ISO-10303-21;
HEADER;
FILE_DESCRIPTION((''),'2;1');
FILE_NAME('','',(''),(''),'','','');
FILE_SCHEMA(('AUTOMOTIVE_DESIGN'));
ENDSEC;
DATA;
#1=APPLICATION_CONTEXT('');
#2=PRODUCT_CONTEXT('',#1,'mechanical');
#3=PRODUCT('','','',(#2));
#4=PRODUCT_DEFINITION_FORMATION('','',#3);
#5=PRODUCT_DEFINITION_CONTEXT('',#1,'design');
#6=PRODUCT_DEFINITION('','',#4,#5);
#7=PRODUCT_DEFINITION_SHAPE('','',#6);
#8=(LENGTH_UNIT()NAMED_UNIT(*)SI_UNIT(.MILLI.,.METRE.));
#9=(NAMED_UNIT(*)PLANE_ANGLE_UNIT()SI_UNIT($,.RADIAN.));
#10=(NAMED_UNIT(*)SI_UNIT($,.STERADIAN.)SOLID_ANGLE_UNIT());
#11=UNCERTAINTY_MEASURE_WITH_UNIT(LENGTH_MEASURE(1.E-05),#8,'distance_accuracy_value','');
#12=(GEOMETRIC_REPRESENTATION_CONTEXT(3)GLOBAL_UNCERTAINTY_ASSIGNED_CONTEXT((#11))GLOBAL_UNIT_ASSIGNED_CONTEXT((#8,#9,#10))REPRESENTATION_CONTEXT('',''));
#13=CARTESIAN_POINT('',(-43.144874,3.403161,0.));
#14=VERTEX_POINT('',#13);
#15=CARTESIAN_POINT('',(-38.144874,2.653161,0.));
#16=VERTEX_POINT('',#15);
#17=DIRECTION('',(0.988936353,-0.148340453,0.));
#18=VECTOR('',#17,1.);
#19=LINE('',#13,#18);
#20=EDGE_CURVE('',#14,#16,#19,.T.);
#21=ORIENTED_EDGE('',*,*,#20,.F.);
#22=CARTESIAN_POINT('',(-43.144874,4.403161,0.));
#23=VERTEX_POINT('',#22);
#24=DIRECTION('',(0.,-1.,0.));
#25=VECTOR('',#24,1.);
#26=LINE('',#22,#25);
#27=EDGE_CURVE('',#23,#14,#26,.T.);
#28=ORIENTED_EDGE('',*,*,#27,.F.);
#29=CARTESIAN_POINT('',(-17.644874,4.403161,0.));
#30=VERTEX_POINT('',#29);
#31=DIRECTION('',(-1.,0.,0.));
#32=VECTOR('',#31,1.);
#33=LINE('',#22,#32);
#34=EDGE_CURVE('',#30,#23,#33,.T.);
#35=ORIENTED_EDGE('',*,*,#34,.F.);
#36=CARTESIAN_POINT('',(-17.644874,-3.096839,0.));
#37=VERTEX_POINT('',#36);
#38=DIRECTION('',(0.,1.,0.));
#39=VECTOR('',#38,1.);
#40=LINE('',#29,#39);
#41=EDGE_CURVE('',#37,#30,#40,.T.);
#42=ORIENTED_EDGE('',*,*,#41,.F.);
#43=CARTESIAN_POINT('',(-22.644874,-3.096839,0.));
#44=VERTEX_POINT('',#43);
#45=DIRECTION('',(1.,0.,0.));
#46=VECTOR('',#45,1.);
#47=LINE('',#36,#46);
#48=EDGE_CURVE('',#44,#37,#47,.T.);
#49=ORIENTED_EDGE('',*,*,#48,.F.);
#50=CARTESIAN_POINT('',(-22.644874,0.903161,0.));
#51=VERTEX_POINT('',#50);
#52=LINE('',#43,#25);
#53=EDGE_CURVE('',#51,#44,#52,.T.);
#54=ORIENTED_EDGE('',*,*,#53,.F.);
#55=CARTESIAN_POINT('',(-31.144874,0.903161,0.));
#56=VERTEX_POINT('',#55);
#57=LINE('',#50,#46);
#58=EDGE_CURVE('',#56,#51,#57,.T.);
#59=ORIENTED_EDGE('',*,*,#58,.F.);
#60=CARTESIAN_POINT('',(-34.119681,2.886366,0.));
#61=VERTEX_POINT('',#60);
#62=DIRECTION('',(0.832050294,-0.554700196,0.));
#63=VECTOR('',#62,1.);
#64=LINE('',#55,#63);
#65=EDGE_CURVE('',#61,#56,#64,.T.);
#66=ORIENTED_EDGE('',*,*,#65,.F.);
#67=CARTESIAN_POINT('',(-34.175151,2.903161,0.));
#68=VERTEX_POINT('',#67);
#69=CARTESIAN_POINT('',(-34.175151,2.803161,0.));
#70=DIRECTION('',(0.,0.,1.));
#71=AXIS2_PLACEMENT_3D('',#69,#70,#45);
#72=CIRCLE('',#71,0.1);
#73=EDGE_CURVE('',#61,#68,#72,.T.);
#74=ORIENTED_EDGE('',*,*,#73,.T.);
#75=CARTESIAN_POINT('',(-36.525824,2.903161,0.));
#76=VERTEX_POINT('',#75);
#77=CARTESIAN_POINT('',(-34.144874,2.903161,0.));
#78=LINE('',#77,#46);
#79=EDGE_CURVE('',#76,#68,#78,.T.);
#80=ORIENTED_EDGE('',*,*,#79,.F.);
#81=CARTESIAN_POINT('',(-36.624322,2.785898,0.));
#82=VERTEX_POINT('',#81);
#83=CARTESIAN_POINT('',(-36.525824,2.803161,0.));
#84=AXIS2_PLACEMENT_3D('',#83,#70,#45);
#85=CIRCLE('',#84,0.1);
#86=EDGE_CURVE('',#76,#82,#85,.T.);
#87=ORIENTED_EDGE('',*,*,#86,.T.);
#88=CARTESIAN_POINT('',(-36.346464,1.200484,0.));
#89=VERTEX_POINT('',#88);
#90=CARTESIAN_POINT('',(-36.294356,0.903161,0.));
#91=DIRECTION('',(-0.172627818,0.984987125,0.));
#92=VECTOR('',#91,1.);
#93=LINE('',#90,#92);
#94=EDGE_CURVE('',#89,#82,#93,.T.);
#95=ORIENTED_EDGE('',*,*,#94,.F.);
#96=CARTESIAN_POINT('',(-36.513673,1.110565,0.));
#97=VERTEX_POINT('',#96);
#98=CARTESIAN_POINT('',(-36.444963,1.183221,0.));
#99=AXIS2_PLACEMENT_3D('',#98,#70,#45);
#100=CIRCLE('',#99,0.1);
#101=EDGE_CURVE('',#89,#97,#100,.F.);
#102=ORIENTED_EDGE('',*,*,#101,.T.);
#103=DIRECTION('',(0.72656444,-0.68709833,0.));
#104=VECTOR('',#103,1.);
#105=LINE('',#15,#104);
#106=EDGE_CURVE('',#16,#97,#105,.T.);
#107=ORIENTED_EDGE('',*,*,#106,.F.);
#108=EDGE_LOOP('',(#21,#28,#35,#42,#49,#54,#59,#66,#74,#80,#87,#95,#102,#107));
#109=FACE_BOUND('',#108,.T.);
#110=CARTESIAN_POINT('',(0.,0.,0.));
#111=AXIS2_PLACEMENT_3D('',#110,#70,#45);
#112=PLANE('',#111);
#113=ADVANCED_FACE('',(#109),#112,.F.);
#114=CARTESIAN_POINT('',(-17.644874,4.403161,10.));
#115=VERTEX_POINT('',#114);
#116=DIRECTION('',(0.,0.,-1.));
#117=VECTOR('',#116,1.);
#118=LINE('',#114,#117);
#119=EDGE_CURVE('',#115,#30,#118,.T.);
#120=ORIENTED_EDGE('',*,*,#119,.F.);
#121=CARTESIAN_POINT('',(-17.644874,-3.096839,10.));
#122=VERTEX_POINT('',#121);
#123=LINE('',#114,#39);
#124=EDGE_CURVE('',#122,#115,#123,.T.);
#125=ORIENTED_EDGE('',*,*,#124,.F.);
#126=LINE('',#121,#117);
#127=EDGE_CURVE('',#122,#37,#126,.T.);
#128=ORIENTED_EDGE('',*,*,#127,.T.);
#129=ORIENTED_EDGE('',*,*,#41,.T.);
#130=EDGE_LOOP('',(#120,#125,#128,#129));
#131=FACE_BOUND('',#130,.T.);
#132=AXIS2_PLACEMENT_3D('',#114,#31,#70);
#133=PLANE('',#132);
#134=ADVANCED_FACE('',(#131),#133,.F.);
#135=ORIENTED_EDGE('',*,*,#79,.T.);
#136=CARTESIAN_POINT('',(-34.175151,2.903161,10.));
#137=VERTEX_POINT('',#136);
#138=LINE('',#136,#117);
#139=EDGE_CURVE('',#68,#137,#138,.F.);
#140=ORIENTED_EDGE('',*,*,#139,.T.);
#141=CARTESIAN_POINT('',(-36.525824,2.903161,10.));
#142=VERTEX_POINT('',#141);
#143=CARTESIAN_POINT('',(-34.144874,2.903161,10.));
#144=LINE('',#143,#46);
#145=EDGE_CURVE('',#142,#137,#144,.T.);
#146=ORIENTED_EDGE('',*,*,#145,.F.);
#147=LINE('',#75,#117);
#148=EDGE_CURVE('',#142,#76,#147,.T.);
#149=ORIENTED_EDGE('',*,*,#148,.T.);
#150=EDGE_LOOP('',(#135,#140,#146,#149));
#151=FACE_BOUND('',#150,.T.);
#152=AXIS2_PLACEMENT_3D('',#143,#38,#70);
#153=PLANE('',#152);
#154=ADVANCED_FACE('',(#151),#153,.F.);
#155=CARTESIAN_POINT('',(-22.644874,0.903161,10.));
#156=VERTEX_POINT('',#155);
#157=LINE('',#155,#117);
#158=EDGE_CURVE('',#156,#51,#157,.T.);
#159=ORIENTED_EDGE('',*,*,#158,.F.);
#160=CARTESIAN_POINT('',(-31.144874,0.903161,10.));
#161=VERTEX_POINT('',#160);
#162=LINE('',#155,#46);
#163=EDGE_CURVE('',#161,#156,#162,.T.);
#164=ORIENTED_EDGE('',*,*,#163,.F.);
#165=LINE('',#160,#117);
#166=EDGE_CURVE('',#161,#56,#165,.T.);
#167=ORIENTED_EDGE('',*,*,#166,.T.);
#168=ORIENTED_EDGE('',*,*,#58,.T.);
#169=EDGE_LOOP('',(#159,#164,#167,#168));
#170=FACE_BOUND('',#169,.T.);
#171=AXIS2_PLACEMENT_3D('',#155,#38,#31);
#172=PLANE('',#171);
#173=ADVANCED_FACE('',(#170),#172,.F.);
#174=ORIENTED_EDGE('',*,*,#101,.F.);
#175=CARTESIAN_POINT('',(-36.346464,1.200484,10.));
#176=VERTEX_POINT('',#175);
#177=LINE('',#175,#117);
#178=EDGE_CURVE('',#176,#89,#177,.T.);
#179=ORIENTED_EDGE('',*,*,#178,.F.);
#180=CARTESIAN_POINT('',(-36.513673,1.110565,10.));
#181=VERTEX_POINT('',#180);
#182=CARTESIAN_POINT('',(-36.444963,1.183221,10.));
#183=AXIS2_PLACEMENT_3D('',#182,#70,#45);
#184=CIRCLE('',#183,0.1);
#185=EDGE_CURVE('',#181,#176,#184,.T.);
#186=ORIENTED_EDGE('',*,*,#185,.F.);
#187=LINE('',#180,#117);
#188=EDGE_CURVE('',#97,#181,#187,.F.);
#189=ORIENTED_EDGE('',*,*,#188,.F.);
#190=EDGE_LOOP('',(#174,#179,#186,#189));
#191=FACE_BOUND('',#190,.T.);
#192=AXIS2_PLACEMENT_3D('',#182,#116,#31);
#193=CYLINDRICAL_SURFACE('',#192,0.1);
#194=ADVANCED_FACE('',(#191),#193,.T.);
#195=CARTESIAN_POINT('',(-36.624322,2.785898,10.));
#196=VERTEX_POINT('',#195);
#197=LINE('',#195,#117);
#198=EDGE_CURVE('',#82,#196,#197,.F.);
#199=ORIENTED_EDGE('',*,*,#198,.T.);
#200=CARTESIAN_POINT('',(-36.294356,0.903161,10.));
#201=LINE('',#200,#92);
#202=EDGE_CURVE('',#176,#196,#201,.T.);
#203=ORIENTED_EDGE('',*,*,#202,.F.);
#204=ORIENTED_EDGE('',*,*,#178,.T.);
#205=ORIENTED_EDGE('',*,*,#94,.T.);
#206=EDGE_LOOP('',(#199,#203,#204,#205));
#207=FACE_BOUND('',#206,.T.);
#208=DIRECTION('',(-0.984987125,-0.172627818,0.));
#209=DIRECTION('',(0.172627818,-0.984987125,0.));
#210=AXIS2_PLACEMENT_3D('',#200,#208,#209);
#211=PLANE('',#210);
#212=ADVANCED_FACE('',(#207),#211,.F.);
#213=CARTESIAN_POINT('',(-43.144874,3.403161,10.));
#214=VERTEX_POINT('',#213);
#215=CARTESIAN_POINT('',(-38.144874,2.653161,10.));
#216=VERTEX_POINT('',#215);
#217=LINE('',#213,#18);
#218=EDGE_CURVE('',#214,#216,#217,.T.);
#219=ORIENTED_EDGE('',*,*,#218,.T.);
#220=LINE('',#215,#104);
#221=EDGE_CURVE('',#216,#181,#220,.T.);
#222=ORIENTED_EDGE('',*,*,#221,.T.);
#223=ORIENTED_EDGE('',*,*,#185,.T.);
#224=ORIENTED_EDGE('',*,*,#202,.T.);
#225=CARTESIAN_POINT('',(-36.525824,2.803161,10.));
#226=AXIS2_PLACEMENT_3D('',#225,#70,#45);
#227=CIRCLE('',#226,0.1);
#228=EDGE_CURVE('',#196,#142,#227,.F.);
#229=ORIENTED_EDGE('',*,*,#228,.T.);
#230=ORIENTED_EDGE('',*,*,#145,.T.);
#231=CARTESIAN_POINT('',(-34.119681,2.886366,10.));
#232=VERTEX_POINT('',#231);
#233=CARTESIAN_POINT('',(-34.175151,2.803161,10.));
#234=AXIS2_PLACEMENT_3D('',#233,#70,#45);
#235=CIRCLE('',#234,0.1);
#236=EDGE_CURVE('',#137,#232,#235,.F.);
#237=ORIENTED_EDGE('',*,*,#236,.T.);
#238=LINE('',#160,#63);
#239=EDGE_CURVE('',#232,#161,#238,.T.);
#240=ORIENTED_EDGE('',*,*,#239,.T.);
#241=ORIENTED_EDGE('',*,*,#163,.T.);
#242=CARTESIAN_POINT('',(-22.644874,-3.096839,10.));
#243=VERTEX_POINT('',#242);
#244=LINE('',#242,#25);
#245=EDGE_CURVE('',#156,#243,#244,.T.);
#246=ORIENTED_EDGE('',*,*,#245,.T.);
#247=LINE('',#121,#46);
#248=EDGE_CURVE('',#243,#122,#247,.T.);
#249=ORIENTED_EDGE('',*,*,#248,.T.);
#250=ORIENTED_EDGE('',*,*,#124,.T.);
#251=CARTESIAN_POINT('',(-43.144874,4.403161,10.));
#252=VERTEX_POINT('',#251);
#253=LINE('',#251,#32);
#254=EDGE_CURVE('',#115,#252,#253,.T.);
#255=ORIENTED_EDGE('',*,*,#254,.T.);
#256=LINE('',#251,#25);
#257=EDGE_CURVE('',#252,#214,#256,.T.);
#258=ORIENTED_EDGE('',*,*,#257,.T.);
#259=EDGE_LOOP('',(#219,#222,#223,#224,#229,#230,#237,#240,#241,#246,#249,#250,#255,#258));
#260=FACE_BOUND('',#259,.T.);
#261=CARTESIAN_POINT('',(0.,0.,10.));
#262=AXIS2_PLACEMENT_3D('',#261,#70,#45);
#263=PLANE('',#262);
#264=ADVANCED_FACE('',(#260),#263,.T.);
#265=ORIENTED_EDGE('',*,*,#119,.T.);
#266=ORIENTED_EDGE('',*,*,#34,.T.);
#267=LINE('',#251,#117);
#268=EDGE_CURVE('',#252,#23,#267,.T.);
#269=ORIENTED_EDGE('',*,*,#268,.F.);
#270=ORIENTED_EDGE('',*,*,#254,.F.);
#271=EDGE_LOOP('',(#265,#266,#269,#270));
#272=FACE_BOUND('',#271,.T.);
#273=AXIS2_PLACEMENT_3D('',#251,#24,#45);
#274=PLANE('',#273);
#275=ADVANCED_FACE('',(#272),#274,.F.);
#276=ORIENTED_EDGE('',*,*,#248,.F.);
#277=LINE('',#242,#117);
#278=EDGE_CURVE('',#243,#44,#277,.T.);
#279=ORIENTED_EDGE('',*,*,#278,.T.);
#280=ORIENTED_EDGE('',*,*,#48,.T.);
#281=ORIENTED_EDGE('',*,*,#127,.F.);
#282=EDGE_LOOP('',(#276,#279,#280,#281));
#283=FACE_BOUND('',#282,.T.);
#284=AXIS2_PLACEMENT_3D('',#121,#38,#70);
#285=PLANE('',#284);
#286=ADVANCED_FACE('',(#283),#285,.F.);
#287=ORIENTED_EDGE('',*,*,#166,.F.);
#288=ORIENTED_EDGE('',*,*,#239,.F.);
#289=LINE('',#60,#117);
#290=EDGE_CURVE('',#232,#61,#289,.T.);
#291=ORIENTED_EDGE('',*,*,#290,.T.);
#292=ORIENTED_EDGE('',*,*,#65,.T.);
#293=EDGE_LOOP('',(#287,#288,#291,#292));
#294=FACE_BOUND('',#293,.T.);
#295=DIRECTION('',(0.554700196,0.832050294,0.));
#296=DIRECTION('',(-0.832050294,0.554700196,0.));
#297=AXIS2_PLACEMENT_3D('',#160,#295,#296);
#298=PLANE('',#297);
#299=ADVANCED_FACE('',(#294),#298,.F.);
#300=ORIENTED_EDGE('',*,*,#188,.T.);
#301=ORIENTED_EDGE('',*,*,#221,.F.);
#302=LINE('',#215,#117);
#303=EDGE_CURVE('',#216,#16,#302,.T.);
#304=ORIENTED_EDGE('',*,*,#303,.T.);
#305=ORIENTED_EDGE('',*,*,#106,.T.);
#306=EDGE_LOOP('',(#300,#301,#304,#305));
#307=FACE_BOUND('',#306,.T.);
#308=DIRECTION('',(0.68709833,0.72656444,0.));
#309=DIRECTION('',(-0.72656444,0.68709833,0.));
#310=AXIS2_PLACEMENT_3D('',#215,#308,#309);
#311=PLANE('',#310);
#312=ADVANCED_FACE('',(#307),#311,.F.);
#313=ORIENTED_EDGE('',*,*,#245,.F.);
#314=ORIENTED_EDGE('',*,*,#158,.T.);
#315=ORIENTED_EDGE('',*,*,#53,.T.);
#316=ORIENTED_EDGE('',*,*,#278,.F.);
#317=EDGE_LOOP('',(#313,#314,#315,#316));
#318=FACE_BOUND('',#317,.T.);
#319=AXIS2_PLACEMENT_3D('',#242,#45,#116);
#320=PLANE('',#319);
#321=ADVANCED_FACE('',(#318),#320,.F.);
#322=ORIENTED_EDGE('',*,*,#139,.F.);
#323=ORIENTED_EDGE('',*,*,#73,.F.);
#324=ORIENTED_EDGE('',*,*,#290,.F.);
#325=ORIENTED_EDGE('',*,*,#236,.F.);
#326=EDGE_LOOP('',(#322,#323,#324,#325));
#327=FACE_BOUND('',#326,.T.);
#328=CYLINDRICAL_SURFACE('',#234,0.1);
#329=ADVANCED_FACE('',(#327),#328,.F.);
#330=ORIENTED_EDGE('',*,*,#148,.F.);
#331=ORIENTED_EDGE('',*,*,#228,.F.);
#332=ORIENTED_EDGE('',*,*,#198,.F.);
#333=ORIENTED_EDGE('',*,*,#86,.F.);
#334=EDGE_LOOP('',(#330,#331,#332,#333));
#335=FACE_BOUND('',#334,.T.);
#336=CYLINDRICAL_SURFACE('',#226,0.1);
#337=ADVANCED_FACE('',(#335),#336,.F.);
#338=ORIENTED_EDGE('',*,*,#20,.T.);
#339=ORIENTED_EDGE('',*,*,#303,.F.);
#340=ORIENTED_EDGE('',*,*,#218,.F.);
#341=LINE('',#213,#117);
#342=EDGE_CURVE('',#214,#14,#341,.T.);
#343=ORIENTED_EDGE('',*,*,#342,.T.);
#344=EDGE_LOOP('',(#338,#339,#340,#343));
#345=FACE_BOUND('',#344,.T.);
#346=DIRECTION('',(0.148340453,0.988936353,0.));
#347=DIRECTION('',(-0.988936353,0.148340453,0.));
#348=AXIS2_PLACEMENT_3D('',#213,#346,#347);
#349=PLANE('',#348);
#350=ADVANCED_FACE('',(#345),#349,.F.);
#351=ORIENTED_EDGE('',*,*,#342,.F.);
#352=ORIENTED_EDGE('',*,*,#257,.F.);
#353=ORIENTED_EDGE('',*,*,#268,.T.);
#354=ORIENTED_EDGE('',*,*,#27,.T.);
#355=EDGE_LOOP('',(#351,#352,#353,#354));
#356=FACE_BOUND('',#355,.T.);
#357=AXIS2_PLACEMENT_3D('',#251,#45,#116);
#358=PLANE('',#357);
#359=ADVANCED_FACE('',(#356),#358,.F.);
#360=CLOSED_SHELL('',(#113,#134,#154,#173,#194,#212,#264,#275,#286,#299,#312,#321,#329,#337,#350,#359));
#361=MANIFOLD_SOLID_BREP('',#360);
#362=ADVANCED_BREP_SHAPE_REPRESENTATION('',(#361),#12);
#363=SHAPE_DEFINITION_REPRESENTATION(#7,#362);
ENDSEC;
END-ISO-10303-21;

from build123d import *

# Parameters (mm, degrees)
BOSS_EXTRUDE1_DEPTH = 10
FILLET1_R           = 0.1


with BuildPart() as part:
    # Sketch1 → Boss-Extrude1 (new body)
    with BuildSketch(Plane.XY):
        Polygon((-17.64487365, -3.096839142), (-22.64487365, -3.096839142), (-22.64487365, 0.903160858), (-31.14487365, 0.903160858), (-34.14487365, 2.903160858), (-36.64487365, 2.903160858), (-36.294355732, 0.903160858), (-38.14487365, 2.653160858), (-43.14487365, 3.403160858), (-43.14487365, 4.403160858), (-17.64487365, 4.403160858), align=None)
    extrude(amount=BOSS_EXTRUDE1_DEPTH)

    # Fillet1
    fillet1_edges = [part.edges().sort_by_distance(p)[0] for p in [
        (-34.14487365, 2.903160858, 5),
        (-36.64487365, 2.903160858, 5),
        (-36.294355732, 0.903160858, 5),
    ]]
    fillet(fillet1_edges, radius=FILLET1_R)


solid = part.part
